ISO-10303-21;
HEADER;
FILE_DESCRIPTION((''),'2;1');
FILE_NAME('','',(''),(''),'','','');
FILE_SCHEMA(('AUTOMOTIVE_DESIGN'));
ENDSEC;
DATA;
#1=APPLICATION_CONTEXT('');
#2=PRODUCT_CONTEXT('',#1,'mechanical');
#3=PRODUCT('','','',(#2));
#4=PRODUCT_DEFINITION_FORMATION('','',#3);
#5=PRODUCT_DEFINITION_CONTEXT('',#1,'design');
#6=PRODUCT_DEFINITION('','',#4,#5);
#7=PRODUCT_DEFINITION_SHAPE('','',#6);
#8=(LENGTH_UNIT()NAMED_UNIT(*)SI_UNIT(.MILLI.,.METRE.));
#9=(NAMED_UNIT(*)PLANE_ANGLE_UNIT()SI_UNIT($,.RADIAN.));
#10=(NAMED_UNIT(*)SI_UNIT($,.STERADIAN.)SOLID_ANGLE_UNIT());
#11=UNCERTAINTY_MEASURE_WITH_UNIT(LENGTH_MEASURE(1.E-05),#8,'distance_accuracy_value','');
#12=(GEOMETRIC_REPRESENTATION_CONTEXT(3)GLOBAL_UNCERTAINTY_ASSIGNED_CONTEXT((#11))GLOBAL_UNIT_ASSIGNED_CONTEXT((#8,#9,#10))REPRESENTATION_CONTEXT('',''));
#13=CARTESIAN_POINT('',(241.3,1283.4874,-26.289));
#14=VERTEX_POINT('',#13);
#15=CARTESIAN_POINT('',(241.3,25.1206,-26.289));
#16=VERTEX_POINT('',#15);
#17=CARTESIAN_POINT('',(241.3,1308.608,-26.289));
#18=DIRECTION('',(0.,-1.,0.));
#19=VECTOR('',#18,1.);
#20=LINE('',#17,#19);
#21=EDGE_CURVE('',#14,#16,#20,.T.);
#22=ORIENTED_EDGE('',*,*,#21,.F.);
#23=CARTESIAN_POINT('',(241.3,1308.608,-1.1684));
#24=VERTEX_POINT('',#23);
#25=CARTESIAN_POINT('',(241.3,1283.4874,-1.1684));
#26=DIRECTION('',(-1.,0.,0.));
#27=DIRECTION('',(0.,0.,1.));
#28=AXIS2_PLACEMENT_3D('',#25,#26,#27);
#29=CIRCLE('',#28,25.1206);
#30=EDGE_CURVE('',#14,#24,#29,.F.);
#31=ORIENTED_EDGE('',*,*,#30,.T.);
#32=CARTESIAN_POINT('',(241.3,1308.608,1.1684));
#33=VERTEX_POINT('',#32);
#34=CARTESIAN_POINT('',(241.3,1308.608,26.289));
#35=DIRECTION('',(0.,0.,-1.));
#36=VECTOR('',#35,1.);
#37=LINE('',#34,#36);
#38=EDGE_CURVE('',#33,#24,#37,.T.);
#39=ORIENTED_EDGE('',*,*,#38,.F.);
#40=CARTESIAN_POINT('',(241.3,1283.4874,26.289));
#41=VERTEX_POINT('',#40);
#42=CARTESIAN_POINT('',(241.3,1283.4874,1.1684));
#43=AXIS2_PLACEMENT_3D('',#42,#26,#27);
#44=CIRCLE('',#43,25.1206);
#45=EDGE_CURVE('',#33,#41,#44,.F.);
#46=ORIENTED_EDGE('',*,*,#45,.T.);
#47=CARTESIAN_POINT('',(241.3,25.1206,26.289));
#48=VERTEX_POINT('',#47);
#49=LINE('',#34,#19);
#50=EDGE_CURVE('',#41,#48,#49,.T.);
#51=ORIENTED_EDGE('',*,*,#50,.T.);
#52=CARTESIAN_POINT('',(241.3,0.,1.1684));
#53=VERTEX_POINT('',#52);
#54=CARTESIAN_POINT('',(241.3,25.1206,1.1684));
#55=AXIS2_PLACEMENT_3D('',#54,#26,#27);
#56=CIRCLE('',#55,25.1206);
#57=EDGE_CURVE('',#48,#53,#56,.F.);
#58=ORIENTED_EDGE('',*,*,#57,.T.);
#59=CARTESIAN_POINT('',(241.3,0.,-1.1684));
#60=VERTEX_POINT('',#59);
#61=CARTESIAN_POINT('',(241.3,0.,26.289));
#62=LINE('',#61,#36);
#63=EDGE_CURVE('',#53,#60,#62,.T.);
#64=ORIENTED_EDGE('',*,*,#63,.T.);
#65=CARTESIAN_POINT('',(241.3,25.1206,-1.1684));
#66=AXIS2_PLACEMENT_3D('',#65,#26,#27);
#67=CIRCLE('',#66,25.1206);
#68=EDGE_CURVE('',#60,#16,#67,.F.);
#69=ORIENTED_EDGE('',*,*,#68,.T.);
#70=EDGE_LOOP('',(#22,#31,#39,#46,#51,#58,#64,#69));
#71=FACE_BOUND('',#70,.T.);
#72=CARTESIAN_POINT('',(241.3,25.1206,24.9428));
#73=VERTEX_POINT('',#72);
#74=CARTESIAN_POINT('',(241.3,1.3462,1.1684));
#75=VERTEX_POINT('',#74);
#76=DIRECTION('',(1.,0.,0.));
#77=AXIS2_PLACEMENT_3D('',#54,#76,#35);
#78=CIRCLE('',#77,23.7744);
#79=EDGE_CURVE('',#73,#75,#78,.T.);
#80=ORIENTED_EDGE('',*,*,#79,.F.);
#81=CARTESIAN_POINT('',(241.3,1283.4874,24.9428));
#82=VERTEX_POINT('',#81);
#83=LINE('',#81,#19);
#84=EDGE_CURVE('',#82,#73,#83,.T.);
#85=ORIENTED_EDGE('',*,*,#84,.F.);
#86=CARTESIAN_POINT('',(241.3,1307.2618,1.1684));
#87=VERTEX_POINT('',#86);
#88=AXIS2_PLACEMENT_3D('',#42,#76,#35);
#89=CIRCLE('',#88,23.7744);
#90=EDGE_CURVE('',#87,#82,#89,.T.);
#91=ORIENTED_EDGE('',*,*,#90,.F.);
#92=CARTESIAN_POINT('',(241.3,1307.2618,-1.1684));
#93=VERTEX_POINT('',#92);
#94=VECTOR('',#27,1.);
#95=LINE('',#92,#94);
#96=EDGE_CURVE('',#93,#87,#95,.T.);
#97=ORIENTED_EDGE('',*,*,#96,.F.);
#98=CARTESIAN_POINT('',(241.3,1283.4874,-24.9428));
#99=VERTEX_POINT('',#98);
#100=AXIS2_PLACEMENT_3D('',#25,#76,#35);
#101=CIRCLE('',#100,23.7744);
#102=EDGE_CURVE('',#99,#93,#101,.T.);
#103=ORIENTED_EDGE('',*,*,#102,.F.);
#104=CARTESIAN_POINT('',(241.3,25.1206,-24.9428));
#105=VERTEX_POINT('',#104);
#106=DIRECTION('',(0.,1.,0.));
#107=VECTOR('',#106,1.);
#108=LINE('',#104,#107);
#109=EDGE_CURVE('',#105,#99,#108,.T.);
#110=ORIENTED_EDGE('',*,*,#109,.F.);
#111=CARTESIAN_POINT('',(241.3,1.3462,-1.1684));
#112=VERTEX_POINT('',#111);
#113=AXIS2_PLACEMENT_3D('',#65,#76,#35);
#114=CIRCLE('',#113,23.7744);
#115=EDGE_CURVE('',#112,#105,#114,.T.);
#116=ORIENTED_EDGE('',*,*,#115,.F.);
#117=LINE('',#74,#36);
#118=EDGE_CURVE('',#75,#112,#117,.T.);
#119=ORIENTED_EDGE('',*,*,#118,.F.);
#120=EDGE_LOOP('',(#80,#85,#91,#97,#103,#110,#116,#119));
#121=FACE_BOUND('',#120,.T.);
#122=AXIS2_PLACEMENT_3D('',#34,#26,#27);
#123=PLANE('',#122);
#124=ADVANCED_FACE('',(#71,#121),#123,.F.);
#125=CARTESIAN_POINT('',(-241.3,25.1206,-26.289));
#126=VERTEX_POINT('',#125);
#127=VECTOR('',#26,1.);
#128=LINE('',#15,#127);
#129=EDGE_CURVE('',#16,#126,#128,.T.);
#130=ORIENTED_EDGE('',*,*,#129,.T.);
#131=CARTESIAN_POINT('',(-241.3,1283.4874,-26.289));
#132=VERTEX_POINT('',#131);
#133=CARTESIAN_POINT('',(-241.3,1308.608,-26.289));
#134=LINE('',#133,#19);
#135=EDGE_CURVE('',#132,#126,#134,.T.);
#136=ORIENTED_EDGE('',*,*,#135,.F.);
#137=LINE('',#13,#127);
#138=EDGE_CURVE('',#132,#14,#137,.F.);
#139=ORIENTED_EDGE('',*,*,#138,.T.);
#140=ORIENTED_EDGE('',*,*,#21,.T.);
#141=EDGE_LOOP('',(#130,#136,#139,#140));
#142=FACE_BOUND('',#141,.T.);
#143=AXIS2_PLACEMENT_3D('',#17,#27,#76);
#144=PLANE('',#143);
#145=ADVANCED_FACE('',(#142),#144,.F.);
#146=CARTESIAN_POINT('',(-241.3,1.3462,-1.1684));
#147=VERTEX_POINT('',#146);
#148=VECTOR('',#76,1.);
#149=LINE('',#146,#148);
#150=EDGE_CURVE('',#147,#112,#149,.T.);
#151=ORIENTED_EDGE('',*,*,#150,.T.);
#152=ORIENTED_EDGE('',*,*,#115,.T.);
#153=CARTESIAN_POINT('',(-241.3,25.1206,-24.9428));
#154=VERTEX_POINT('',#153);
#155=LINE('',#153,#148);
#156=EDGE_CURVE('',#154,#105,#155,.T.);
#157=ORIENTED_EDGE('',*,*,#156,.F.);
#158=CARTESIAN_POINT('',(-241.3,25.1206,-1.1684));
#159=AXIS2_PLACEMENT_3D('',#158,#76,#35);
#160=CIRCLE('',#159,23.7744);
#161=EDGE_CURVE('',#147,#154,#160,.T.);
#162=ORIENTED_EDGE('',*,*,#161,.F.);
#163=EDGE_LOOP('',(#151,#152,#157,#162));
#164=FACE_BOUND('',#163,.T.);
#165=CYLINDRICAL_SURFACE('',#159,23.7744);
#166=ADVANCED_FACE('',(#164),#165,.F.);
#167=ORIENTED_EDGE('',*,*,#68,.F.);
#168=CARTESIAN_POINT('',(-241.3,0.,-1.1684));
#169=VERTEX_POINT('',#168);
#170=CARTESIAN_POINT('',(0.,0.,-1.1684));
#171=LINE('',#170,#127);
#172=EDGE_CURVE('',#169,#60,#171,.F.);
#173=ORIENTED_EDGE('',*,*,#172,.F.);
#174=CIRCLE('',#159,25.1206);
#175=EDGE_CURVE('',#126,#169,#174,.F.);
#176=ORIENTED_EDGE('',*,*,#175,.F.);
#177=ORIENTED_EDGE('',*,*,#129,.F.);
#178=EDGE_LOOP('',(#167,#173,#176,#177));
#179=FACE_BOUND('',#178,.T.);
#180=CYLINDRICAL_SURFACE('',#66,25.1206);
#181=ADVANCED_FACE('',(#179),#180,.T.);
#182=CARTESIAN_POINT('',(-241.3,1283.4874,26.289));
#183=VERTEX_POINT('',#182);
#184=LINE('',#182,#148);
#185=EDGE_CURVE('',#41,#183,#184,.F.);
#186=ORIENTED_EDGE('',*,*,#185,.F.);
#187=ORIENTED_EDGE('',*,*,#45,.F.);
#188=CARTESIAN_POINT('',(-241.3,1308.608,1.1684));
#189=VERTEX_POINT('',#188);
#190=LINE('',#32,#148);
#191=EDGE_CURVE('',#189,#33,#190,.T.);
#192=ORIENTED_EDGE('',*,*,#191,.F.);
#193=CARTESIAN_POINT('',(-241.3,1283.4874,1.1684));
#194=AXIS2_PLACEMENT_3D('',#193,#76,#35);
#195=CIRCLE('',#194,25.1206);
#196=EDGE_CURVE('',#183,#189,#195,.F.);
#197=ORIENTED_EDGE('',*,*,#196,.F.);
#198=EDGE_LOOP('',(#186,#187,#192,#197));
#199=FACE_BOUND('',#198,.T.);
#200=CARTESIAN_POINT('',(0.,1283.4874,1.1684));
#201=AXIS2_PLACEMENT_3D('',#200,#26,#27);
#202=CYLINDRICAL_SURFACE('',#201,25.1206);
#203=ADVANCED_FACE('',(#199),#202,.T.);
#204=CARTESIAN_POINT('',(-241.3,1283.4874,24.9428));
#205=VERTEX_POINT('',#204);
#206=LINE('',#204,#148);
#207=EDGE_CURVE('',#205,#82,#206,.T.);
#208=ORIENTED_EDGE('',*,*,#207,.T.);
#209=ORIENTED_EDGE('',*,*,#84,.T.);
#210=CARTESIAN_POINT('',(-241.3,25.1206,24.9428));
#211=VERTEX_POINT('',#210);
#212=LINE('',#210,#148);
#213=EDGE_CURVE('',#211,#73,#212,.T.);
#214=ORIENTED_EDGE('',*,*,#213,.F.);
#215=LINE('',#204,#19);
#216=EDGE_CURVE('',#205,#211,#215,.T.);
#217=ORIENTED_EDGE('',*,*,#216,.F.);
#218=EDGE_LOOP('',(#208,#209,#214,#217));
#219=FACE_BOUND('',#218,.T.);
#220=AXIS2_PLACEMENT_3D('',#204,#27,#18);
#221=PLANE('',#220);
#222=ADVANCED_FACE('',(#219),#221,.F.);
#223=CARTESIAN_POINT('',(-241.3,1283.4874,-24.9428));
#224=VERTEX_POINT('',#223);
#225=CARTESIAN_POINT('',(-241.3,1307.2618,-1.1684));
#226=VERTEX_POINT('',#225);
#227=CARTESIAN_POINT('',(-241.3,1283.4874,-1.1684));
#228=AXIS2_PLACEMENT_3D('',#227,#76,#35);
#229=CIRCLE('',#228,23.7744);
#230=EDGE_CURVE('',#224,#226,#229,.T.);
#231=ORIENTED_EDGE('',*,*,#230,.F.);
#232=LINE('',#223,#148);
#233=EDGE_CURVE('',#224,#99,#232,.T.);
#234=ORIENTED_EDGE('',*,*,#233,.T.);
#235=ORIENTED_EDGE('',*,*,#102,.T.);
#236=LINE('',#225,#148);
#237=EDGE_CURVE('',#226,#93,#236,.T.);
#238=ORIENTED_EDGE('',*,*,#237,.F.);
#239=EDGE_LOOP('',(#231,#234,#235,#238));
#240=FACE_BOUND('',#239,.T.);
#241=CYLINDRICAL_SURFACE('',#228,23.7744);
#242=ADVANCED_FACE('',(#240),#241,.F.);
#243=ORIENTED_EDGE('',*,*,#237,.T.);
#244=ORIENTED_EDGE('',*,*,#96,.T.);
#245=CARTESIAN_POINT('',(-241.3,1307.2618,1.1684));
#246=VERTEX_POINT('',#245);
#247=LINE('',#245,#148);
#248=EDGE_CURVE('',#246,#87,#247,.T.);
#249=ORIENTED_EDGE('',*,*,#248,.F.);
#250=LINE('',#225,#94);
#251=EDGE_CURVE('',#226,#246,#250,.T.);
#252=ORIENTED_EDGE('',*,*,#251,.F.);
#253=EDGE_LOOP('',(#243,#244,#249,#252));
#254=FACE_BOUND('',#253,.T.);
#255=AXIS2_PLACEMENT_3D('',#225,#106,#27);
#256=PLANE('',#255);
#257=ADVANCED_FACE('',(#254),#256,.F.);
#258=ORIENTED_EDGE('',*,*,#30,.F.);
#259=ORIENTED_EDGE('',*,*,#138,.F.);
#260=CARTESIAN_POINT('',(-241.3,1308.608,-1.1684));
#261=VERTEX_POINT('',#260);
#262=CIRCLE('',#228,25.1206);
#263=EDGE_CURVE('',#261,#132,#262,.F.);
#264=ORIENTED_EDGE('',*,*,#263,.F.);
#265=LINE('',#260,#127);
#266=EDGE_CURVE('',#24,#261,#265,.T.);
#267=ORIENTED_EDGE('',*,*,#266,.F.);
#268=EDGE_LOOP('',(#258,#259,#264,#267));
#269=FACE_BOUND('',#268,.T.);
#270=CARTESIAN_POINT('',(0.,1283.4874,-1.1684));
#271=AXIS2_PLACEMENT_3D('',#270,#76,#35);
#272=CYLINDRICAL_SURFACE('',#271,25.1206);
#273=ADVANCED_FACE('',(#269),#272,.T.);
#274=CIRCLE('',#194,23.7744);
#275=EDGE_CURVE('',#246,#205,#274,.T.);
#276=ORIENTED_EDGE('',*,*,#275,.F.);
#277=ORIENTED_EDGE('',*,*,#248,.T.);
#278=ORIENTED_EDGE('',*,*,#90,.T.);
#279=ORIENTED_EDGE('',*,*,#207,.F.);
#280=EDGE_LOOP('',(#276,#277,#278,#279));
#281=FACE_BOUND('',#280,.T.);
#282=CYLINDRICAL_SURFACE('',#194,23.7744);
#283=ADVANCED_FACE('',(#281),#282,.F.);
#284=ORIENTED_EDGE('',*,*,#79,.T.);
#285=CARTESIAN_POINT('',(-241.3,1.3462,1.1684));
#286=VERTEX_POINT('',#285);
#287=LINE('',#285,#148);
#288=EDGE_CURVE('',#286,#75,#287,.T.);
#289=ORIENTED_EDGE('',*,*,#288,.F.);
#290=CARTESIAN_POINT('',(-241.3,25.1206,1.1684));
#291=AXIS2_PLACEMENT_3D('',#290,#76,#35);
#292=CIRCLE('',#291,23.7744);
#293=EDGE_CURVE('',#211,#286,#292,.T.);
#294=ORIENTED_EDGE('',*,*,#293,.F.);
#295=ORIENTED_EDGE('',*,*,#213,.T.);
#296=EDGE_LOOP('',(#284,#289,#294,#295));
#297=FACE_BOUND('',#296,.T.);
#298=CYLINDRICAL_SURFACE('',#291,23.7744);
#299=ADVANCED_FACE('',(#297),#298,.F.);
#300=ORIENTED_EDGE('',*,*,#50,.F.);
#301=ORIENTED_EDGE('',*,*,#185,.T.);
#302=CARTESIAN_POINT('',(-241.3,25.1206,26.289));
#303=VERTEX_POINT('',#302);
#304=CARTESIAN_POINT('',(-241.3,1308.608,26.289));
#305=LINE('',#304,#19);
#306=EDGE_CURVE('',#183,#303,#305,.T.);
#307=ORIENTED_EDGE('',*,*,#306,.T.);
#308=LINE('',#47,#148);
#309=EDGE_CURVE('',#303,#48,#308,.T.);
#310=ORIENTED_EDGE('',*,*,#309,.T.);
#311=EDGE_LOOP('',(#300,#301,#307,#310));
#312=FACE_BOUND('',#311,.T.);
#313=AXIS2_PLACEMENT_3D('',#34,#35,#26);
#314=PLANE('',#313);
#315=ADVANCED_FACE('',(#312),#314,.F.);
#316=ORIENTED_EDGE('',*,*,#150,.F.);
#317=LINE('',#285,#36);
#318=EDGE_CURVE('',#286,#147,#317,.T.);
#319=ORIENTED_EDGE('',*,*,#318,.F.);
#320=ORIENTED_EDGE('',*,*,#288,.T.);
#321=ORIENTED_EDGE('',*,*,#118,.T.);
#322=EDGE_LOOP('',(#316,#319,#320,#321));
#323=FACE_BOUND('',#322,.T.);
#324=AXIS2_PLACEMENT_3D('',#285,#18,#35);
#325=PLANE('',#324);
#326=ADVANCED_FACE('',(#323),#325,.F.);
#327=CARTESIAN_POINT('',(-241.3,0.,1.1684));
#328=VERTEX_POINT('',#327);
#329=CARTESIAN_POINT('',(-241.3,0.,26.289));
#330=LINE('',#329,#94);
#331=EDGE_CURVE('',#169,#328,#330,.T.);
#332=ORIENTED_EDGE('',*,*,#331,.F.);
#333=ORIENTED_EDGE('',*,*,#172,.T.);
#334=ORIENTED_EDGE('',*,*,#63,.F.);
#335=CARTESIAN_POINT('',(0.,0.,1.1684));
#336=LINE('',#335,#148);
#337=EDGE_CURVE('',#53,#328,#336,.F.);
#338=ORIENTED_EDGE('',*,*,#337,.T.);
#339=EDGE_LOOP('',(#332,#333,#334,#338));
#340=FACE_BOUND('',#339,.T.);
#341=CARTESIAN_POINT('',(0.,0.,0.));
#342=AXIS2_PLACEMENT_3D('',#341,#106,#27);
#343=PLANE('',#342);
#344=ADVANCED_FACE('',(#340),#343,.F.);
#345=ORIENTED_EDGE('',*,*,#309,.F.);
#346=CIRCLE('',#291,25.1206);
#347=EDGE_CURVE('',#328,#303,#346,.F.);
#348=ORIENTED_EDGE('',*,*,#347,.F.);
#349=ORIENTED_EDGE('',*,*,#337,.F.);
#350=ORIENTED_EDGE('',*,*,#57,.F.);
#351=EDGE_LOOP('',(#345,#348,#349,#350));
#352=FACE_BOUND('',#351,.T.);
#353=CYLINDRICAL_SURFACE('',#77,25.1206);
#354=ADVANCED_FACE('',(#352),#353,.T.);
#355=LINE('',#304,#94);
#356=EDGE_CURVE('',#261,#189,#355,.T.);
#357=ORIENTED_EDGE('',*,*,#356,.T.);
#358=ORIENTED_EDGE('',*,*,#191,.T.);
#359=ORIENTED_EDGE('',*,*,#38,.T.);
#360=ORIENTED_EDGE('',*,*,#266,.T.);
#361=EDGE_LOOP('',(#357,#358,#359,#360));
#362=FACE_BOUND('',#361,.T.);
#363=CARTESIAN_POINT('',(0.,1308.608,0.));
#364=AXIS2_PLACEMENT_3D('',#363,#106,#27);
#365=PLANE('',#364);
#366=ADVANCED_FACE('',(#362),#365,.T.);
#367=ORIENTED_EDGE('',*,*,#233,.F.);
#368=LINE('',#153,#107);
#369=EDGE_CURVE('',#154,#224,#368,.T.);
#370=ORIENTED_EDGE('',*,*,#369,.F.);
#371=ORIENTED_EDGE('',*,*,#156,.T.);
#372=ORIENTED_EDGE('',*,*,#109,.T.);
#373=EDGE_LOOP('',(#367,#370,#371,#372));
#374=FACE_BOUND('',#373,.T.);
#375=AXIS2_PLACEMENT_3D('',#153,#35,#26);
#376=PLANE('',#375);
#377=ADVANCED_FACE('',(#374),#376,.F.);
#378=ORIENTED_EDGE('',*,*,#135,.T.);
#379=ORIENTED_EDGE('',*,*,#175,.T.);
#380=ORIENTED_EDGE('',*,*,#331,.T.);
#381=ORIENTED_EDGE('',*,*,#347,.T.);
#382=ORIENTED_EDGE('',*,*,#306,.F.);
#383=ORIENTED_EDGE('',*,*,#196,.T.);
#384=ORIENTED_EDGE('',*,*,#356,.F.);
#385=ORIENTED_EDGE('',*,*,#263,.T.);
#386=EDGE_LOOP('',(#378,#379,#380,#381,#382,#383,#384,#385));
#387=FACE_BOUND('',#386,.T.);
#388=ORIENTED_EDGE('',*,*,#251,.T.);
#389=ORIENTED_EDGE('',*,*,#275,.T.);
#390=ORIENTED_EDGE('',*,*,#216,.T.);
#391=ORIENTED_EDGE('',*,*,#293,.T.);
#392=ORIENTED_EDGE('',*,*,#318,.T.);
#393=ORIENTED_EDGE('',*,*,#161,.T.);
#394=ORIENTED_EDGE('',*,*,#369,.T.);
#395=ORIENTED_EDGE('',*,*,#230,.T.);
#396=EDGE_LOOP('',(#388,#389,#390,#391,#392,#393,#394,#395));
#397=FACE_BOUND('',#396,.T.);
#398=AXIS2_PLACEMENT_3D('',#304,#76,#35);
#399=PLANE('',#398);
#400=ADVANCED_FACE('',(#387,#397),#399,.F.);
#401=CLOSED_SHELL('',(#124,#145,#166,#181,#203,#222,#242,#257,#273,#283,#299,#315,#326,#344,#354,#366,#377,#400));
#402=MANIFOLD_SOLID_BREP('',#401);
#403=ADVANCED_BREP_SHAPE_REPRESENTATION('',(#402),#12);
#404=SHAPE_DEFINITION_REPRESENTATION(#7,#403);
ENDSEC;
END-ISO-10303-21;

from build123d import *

# Parameters (mm, degrees)
SKETCH1_W           = 482.6
SKETCH1_H           = 52.578
BOSS_EXTRUDE1_DEPTH = 1308.608
FILLET1_R           = 25.1206
CUT_EXTRUDE1_DEPTH  = 483.6


with BuildPart() as part:
    # Sketch1 → Boss-Extrude1 (new body)
    with BuildSketch(Plane(origin=(0, 0, 0), x_dir=(1, 0, 0), z_dir=(0, 1, 0))):
        Rectangle(SKETCH1_W, SKETCH1_H)
    extrude(amount=BOSS_EXTRUDE1_DEPTH)

    # Fillet1
    fillet1_edges = [part.edges().sort_by_distance(p)[0] for p in [
        (0, 1308.608, -26.289),
        (0, 0, -26.289),
        (0, 0, 26.289),
        (0, 1308.608, 26.289),
    ]]
    fillet(fillet1_edges, radius=FILLET1_R)

    # Sketch2 → Cut-Extrude1 (cut, through all)
    with BuildSketch(Plane(origin=(241.3, 0, 0), x_dir=(0, 0, -1), z_dir=(1, 0, 0))):
        with BuildLine():
            Line((24.9428, 25.1206), (24.9428, 1283.4874))
            ThreePointArc((24.9428, 1283.4874), (17.979439459, 1300.298439459), (1.1684, 1307.2618))
            Line((1.1684, 1307.2618), (-1.1684, 1307.2618))
            ThreePointArc((-1.1684, 1307.2618), (-17.979439459, 1300.298439459), (-24.9428, 1283.4874))
            Line((-24.9428, 1283.4874), (-24.9428, 25.1206))
            ThreePointArc((-24.9428, 25.1206), (-17.979439459, 8.309560541), (-1.1684, 1.3462))
            Line((-1.1684, 1.3462), (1.1684, 1.3462))
            ThreePointArc((1.1684, 1.3462), (17.979439459, 8.309560541), (24.9428, 25.1206))
        make_face()
    extrude(amount=-CUT_EXTRUDE1_DEPTH, mode=Mode.SUBTRACT)


solid = part.part
